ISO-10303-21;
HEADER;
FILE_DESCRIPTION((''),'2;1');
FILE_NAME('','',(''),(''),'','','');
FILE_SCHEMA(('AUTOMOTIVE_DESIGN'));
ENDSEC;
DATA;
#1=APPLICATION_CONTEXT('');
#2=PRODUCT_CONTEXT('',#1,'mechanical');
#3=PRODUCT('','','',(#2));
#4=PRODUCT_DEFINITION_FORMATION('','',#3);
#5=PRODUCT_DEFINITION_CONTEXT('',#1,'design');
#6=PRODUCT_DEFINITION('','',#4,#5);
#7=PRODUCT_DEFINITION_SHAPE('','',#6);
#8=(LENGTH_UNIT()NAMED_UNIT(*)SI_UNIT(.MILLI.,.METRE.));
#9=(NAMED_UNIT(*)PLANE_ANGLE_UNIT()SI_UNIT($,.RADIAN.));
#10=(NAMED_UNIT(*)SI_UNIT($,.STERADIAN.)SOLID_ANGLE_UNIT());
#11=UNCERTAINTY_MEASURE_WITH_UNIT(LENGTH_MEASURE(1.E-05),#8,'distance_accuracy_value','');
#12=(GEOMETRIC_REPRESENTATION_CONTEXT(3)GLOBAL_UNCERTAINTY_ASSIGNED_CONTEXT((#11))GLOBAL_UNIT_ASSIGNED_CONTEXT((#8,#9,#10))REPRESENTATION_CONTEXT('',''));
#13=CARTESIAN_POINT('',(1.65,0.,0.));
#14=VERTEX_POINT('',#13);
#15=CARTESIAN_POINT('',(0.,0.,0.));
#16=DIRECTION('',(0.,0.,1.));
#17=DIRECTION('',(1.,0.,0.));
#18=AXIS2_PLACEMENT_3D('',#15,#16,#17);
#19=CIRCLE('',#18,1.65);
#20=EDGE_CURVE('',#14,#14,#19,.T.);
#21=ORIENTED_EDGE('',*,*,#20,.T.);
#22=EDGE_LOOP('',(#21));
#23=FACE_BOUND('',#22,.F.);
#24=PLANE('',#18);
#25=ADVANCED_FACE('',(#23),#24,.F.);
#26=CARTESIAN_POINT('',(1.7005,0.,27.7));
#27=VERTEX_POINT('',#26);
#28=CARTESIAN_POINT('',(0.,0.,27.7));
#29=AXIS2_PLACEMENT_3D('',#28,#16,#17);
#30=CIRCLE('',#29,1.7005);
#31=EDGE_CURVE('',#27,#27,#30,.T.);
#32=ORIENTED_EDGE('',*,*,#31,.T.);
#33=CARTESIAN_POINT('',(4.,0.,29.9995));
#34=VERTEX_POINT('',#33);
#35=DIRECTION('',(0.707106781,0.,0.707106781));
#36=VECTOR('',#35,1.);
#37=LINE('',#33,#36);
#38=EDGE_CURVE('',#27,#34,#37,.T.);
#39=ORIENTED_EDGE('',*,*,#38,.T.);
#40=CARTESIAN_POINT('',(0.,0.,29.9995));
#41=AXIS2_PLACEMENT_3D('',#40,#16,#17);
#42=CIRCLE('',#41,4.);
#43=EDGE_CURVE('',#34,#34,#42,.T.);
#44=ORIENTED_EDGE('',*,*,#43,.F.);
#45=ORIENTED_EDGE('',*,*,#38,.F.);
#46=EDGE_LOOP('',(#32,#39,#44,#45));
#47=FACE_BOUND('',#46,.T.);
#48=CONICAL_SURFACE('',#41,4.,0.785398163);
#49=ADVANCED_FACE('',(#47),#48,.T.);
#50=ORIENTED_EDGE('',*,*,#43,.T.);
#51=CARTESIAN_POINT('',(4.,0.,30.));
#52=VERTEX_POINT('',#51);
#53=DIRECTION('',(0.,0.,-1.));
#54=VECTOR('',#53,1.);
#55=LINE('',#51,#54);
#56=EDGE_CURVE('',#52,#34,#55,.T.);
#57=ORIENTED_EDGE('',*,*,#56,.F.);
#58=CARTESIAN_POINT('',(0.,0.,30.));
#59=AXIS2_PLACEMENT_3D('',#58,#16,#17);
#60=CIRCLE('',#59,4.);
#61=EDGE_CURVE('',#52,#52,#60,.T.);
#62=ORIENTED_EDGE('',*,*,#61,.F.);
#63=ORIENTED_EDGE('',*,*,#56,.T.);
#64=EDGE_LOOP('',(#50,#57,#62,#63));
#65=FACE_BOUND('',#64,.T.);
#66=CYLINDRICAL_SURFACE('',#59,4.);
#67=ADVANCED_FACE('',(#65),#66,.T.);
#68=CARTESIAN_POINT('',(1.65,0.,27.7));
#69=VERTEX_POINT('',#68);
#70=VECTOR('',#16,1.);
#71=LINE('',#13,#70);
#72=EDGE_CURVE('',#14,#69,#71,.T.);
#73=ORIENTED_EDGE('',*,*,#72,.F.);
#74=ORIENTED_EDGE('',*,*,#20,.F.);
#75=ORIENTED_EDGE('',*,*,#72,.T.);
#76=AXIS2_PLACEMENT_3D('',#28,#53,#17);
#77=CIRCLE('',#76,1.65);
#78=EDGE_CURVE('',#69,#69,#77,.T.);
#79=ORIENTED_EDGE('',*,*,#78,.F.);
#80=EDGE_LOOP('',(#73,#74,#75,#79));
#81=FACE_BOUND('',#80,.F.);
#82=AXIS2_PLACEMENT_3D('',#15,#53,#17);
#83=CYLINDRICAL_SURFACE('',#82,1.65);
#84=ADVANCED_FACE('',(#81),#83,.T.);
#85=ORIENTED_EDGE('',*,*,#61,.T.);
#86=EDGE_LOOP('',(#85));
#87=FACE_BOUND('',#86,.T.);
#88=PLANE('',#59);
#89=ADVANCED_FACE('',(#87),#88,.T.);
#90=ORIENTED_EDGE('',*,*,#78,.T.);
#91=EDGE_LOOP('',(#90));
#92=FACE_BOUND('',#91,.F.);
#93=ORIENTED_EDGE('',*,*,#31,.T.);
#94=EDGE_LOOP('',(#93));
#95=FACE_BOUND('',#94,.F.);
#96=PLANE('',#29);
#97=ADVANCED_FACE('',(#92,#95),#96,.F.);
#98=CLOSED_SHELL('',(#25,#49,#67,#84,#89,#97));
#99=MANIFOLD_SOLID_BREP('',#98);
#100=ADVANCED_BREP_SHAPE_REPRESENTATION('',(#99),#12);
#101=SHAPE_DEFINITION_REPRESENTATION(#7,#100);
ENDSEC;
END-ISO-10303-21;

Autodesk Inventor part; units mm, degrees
ref_plane "YZ Plane" through (0, 0, 0) normal (1, 0, 0) x (0, 1, 0)
ref_plane "XZ Plane" through (0, 0, 0) normal (0, 1, 0) x (-1, 0, 0)
ref_plane "XY Plane" through (0, 0, 0) normal (0, 0, 1) x (1, 0, 0)
sketch "スケッチ1" plane through (0, 0, 0) normal (0, 0, 1) x (1, 0, 0)
  circle A0 centre (0, 0) radius 1.65
  dimension "d0" = 3.3
extrude "押し出し1" add sketch "スケッチ1" along normal blind 30
sketch "スケッチ2" plane through (0, 0, 30) normal (0, 0, 1) x (1, 0, 0)
  circle A0 centre (0, 0) radius 4
  dimension "d3" = 8
extrude "押し出し2" add sketch "スケッチ2" against normal blind 2.3
chamfer "面取り1" distance 2.3 angle 45 1 edges at (-4, 0, 27.7)
thread "ねじ1" size "M3.5x0.6" class "6g" standard "ANSI Metric M Profile" full length
properties part number "ネジ皿m4,30" material "鋼、高強度、低合金"
